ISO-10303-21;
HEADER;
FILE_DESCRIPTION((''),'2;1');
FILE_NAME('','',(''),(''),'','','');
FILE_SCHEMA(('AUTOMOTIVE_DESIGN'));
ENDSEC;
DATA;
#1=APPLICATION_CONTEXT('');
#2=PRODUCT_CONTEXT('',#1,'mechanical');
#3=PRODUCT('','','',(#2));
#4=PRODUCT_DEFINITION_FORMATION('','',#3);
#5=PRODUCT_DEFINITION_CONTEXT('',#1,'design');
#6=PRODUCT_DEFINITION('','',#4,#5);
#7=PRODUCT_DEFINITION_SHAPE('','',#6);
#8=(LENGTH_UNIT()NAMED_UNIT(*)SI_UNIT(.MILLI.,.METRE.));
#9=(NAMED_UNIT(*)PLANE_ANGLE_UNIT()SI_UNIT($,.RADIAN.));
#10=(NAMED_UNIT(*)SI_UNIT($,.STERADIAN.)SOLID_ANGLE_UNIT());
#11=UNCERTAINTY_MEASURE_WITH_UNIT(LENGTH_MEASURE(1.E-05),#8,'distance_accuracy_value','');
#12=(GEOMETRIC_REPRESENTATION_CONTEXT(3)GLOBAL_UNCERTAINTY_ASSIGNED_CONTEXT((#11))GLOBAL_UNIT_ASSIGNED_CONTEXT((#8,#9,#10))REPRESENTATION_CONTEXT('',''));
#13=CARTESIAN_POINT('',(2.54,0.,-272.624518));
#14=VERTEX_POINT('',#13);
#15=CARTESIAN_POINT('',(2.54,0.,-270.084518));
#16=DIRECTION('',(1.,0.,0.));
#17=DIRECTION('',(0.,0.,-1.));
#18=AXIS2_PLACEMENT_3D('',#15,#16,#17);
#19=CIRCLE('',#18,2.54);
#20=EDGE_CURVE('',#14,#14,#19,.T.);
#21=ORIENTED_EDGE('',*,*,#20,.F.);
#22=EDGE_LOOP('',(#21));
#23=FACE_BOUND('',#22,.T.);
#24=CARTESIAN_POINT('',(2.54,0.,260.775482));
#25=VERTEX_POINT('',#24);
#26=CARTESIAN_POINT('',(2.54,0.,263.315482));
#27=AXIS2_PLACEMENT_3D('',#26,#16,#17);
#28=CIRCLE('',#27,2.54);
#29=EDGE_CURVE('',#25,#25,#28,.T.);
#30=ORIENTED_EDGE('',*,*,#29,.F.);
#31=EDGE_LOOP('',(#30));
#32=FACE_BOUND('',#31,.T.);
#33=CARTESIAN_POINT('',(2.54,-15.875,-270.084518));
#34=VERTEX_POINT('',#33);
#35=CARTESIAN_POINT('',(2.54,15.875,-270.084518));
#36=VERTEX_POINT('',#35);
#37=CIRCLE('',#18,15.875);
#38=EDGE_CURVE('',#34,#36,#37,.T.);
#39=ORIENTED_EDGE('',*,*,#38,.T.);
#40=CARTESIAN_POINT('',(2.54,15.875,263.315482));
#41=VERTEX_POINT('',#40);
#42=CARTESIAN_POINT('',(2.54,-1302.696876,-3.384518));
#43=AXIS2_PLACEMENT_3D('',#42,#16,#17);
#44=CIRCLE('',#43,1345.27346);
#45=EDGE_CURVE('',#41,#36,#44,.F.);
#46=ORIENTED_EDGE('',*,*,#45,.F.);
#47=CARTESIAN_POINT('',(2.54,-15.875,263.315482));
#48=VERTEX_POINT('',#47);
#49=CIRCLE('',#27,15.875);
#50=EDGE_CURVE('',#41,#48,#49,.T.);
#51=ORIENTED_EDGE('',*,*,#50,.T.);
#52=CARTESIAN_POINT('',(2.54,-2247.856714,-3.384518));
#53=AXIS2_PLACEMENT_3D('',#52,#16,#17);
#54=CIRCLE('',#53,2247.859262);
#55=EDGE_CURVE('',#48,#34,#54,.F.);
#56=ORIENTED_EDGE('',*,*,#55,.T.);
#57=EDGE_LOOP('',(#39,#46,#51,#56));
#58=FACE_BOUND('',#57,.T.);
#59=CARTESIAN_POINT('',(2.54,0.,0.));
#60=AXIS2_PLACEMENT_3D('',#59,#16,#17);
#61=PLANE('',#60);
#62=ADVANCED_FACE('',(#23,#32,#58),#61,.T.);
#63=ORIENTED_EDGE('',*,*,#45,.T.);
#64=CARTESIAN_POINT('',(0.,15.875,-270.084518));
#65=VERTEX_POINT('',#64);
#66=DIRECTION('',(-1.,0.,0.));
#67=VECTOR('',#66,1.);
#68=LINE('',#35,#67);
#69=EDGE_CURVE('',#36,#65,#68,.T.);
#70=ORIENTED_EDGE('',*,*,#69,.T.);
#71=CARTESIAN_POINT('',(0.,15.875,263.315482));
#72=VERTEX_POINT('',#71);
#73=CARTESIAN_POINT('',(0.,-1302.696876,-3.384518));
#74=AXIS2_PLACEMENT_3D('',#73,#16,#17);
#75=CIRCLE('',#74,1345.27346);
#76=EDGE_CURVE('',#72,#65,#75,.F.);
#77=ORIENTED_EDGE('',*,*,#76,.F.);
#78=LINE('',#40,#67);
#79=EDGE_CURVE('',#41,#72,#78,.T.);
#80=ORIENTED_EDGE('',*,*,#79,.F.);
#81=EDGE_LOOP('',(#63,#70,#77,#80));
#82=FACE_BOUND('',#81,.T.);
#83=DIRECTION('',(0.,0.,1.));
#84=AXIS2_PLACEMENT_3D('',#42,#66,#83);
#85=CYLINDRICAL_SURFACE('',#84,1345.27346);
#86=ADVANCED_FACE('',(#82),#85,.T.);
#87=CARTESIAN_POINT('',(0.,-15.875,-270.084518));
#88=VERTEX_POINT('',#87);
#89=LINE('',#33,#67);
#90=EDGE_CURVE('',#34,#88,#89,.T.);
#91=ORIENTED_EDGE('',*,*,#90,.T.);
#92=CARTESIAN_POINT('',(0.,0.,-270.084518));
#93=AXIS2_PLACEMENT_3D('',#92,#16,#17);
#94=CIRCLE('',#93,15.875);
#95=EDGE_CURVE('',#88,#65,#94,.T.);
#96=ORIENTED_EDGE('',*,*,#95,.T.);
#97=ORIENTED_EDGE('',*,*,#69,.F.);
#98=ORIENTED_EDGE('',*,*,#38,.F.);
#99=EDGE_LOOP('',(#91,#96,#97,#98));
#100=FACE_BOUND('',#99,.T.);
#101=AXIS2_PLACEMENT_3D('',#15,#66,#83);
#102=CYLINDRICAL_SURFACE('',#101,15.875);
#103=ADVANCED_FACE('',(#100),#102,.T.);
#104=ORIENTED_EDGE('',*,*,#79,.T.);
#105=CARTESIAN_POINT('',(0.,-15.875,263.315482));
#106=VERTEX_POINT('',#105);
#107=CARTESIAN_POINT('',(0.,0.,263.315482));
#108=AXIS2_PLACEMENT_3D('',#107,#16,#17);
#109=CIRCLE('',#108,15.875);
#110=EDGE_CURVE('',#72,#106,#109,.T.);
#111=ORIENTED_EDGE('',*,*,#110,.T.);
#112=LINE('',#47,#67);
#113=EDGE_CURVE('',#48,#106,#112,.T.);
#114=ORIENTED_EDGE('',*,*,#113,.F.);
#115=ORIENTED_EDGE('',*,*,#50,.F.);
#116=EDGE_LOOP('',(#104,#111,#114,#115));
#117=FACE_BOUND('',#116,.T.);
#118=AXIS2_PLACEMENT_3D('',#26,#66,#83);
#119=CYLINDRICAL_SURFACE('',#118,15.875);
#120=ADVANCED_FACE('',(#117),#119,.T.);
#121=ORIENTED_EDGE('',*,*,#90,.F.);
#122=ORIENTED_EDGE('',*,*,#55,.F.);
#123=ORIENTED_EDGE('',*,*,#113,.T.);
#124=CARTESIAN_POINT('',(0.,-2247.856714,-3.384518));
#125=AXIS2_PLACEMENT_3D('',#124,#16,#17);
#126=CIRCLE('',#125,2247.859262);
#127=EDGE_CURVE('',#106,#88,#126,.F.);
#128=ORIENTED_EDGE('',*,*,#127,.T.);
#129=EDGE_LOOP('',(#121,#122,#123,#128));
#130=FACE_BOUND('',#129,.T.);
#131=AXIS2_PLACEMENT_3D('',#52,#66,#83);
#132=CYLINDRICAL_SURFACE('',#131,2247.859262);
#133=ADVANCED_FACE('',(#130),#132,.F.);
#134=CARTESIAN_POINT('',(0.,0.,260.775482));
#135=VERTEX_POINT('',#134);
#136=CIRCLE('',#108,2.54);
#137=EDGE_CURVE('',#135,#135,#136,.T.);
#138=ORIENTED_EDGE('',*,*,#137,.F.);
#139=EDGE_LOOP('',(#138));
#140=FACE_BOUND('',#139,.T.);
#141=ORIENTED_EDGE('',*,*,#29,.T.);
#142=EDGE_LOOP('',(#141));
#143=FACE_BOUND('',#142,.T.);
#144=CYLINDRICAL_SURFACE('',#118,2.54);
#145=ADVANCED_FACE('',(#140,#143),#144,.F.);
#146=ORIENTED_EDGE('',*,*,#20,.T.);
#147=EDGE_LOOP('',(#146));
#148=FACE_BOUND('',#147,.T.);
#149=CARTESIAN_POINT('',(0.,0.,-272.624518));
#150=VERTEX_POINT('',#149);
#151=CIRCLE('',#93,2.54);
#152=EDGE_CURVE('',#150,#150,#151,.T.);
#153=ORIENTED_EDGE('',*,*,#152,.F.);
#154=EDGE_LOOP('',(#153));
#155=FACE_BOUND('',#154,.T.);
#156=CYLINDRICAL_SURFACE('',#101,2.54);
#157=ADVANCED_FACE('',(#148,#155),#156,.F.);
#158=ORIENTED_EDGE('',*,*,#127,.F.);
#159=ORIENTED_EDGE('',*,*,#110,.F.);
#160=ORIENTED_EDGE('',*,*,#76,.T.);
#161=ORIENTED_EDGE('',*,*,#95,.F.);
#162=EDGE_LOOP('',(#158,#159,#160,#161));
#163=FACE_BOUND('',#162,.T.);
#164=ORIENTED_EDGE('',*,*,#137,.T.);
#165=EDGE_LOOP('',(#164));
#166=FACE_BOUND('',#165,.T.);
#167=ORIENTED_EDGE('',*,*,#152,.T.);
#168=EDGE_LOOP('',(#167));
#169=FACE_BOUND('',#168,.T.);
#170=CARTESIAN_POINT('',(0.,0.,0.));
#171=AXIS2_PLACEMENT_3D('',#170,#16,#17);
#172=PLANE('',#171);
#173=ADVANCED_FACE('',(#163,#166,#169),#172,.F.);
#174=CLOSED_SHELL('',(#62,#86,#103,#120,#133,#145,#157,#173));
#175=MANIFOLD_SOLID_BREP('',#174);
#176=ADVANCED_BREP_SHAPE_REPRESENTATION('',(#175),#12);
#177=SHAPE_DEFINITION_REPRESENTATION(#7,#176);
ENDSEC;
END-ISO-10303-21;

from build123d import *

# Parameters (mm, degrees)
SKETCH1_R           = 2.54
BOSS_EXTRUDE1_DEPTH = 2.54


with BuildPart() as part:
    # Sketch1 → Boss-Extrude1 (new body)
    # profile 1 of 3: a face of its own
    with BuildSketch(Plane(origin=(0, 0, 0), x_dir=(0, 0, -1), z_dir=(1, 0, 0))):
        with BuildLine():
            ThreePointArc((-263.315482234, 15.875), (-252.090162082, 11.225320151), (-247.440482234, 0))
            ThreePointArc((-247.440482234, 0), (-250.845779802, -9.824568503), (-259.600752631, -15.434260882))
            ThreePointArc((-259.600752631, -15.434260882), (3.384517766, 0.002547972), (266.369788164, -15.434260882))
            ThreePointArc((266.369788164, -15.434260882), (254.320087607, 1.870392137), (270.084517766, 15.875))
            ThreePointArc((270.084517766, 15.875), (3.384517766, 42.576584001), (-263.315482234, 15.875))
        make_face()
    # profile 2 of 3: a face of its own
    with BuildSketch(Plane(origin=(0, 0, 0), x_dir=(0, 0, -1), z_dir=(1, 0, 0))):
        with BuildLine():
            ThreePointArc((-259.600752631, -15.434260882), (-250.845779802, -9.824568503), (-247.440482234, 0))
            ThreePointArc((-247.440482234, 0), (-252.090162082, 11.225320151), (-263.315482234, 15.875))
            ThreePointArc((-263.315482234, 15.875), (-279.190482234, 0), (-263.315482234, -15.875))
            ThreePointArc((-263.315482234, -15.875), (-261.458209114, -15.653857706), (-259.600752631, -15.434260882))
        make_face()
        with Locations((-263.315482234, 0)):
            Circle(SKETCH1_R, mode=Mode.SUBTRACT)
    # profile 3 of 3: a face of its own
    with BuildSketch(Plane(origin=(0, 0, 0), x_dir=(0, 0, -1), z_dir=(1, 0, 0))):
        with BuildLine():
            ThreePointArc((285.959517766, 0), (281.309837918, 11.225320151), (270.084517766, 15.875))
            ThreePointArc((270.084517766, 15.875), (254.320087607, 1.870392137), (266.369788164, -15.434260882))
            ThreePointArc((266.369788164, -15.434260882), (268.227244647, -15.653857706), (270.084517766, -15.875))
            ThreePointArc((270.084517766, -15.875), (281.309837918, -11.225320151), (285.959517766, 0))
        make_face()
        with Locations((270.084517766, 0)):
            Circle(SKETCH1_R, mode=Mode.SUBTRACT)
    extrude(amount=BOSS_EXTRUDE1_DEPTH)


solid = part.part
